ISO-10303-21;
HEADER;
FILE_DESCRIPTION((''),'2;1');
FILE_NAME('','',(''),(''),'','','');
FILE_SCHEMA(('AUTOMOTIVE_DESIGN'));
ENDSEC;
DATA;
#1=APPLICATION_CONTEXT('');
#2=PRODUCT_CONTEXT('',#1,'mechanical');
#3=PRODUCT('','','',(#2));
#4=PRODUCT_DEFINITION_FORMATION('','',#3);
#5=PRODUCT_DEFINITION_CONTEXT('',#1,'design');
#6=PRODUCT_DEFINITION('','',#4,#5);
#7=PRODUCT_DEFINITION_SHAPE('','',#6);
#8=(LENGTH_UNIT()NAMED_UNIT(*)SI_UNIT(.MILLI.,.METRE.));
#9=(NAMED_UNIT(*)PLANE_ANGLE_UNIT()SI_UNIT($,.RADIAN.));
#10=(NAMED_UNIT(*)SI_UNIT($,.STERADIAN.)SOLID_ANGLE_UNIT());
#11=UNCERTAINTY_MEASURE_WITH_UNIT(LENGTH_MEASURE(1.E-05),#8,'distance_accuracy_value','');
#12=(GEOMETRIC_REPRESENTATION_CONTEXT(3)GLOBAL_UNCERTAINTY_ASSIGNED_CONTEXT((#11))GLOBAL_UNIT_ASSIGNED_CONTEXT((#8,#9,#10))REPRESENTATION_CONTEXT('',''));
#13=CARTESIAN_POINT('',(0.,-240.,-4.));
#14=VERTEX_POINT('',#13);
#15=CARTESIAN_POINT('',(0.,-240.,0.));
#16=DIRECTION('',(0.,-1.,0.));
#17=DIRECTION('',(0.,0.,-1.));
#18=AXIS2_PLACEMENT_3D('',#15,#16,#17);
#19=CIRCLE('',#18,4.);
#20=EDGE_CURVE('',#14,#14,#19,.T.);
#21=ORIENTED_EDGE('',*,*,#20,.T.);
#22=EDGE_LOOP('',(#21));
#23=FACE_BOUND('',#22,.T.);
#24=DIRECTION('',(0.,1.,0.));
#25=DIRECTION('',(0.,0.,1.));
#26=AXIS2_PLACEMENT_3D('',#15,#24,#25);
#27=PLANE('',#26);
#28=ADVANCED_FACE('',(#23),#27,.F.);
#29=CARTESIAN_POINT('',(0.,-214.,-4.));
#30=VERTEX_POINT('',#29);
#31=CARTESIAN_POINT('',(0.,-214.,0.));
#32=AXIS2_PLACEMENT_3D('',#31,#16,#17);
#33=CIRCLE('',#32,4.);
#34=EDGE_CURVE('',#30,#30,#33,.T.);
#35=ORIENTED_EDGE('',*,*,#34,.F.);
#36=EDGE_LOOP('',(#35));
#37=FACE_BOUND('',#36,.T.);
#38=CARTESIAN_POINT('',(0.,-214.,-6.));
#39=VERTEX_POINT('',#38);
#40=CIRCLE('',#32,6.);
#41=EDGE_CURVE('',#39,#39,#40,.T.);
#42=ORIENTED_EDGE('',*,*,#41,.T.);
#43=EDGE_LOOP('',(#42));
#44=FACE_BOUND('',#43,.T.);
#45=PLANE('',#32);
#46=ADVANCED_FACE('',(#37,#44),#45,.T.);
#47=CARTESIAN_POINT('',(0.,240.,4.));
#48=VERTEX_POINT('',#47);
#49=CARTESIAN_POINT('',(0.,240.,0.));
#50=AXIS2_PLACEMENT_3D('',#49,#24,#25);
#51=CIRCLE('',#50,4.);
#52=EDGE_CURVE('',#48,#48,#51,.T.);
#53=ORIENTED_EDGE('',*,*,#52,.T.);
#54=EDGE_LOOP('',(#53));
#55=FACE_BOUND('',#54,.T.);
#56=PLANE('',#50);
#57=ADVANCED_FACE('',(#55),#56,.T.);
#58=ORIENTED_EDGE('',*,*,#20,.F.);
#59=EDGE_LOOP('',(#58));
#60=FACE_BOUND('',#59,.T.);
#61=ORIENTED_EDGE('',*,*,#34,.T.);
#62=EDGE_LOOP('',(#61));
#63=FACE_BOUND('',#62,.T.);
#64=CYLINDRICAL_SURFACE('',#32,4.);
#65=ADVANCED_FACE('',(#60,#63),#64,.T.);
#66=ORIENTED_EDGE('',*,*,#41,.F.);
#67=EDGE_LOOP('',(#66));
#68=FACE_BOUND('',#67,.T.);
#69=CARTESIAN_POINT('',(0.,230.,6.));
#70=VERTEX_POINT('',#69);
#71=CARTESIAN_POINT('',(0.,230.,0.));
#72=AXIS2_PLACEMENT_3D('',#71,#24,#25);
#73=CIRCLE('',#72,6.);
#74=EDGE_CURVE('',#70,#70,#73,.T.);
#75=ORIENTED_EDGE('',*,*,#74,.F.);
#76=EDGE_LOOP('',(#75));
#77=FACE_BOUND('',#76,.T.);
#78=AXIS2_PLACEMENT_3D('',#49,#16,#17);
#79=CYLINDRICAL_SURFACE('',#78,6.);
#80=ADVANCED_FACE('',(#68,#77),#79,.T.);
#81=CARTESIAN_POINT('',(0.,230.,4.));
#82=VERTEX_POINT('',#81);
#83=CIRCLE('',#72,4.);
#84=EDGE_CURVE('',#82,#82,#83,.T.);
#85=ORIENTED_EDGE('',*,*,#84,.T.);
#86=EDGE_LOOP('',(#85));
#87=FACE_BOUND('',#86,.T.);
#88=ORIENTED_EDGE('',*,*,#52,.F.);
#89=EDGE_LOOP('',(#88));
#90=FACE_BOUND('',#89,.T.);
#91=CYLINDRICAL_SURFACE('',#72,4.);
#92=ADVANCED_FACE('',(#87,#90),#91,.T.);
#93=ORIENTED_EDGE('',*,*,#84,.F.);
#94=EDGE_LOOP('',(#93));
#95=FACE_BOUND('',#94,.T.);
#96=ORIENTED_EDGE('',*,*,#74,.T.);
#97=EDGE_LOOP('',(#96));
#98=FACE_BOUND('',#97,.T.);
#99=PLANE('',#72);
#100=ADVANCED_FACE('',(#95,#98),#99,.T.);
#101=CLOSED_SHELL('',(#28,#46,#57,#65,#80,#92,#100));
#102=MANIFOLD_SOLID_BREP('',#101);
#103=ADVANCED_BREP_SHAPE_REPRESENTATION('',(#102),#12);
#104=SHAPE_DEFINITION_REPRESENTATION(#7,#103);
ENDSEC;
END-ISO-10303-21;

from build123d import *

# Parameters (mm, degrees)
SKETCH1_R           = 6
BOSS_EXTRUDE1_DEPTH = 240
SKETCH2_R           = 6
SKETCH2_R_2         = 4
CUT_EXTRUDE1_DEPTH  = 10
SKETCH3_R           = 6
SKETCH3_R_2         = 4
CUT_EXTRUDE2_DEPTH  = 25.999999878


with BuildPart() as part:
    # Sketch1 → Boss-Extrude1 (new body, symmetric)
    with BuildSketch(Plane(origin=(0, 0, 0), x_dir=(1, 0, 0), z_dir=(0, 1, 0))):
        Circle(SKETCH1_R)
    extrude(amount=BOSS_EXTRUDE1_DEPTH, both=True)

    # Sketch2 → Cut-Extrude1 (cut)
    with BuildSketch(Plane(origin=(0, 240, 0), x_dir=(1, 0, 0), z_dir=(0, 1, 0))):
        Circle(SKETCH2_R)
        Circle(SKETCH2_R_2, mode=Mode.SUBTRACT)
    extrude(amount=-CUT_EXTRUDE1_DEPTH, mode=Mode.SUBTRACT)

    # Sketch3 → Cut-Extrude2 (cut)
    with BuildSketch(Plane.XZ.offset(240)):
        Circle(SKETCH3_R)
        Circle(SKETCH3_R_2, mode=Mode.SUBTRACT)
    extrude(amount=-CUT_EXTRUDE2_DEPTH, mode=Mode.SUBTRACT)


solid = part.part
